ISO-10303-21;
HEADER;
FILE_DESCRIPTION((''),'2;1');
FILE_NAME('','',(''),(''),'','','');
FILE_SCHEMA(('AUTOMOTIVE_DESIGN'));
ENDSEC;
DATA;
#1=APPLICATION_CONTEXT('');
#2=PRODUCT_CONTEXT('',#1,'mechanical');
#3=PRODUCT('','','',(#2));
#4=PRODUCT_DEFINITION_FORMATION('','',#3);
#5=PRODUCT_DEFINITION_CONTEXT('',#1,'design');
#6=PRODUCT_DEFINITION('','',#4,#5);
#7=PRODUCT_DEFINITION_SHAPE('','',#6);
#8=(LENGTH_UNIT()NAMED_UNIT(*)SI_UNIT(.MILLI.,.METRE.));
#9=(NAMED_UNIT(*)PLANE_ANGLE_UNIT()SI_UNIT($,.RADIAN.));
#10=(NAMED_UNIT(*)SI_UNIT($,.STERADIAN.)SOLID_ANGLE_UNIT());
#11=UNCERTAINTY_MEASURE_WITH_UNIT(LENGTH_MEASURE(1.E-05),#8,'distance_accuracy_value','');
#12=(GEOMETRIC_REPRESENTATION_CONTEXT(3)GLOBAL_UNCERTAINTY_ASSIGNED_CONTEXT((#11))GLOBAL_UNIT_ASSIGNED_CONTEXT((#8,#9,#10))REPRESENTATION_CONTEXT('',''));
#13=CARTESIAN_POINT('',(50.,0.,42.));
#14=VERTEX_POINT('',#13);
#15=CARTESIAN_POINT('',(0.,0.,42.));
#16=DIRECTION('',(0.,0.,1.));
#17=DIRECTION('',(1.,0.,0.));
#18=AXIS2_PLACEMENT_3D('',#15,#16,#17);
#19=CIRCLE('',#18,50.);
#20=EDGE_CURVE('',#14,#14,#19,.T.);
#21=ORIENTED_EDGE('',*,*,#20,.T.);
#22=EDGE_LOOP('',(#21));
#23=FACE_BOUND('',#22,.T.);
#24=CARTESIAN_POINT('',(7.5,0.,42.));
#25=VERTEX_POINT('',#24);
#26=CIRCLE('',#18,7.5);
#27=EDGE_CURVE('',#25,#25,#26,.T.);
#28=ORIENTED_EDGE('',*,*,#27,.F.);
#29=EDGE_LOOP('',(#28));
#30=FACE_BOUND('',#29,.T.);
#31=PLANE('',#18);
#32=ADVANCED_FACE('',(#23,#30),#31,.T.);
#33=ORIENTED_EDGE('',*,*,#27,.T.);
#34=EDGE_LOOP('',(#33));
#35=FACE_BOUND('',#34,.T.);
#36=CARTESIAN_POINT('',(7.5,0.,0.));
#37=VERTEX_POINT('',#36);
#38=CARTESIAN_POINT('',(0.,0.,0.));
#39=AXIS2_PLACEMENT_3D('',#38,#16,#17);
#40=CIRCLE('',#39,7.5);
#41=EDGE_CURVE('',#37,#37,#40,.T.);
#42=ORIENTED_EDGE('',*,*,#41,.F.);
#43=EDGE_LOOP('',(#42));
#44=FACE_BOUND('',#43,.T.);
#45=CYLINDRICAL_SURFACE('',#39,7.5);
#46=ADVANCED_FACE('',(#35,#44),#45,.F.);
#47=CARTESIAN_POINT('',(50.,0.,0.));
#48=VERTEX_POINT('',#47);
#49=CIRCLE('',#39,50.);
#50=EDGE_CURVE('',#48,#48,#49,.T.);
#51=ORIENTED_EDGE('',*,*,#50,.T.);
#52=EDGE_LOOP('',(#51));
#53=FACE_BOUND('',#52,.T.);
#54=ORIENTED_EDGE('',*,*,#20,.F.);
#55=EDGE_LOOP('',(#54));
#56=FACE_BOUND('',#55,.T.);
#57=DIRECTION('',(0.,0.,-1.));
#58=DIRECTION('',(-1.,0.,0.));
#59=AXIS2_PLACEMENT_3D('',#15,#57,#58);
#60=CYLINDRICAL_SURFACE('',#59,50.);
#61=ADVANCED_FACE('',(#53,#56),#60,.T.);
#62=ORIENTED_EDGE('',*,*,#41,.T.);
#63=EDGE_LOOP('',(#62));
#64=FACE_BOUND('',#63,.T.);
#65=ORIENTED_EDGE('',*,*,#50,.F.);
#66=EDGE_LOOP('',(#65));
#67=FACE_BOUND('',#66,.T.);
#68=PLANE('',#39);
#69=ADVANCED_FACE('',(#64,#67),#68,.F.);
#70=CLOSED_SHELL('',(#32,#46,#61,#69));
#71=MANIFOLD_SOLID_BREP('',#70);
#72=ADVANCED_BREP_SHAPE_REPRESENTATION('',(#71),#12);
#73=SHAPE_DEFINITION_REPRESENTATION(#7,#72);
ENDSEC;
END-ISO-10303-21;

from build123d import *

# Parameters (mm, degrees)
ESBO_O1_R                = 50
RESSALTO_EXTRUS_O1_DEPTH = 42
ESBO_O2_R                = 7.5
CORTE_EXTRUS_O1_DEPTH    = 43


with BuildPart() as part:
    # Esboço1 → Ressalto-extrusão1 (new body)
    with BuildSketch(Plane.XY):
        Circle(ESBO_O1_R)
    extrude(amount=RESSALTO_EXTRUS_O1_DEPTH)

    # Esboço2 → Corte-extrusão1 (cut, through all)
    with BuildSketch(Plane.XY.offset(42)):
        Circle(ESBO_O2_R)
    extrude(amount=-CORTE_EXTRUS_O1_DEPTH, mode=Mode.SUBTRACT)


solid = part.part
